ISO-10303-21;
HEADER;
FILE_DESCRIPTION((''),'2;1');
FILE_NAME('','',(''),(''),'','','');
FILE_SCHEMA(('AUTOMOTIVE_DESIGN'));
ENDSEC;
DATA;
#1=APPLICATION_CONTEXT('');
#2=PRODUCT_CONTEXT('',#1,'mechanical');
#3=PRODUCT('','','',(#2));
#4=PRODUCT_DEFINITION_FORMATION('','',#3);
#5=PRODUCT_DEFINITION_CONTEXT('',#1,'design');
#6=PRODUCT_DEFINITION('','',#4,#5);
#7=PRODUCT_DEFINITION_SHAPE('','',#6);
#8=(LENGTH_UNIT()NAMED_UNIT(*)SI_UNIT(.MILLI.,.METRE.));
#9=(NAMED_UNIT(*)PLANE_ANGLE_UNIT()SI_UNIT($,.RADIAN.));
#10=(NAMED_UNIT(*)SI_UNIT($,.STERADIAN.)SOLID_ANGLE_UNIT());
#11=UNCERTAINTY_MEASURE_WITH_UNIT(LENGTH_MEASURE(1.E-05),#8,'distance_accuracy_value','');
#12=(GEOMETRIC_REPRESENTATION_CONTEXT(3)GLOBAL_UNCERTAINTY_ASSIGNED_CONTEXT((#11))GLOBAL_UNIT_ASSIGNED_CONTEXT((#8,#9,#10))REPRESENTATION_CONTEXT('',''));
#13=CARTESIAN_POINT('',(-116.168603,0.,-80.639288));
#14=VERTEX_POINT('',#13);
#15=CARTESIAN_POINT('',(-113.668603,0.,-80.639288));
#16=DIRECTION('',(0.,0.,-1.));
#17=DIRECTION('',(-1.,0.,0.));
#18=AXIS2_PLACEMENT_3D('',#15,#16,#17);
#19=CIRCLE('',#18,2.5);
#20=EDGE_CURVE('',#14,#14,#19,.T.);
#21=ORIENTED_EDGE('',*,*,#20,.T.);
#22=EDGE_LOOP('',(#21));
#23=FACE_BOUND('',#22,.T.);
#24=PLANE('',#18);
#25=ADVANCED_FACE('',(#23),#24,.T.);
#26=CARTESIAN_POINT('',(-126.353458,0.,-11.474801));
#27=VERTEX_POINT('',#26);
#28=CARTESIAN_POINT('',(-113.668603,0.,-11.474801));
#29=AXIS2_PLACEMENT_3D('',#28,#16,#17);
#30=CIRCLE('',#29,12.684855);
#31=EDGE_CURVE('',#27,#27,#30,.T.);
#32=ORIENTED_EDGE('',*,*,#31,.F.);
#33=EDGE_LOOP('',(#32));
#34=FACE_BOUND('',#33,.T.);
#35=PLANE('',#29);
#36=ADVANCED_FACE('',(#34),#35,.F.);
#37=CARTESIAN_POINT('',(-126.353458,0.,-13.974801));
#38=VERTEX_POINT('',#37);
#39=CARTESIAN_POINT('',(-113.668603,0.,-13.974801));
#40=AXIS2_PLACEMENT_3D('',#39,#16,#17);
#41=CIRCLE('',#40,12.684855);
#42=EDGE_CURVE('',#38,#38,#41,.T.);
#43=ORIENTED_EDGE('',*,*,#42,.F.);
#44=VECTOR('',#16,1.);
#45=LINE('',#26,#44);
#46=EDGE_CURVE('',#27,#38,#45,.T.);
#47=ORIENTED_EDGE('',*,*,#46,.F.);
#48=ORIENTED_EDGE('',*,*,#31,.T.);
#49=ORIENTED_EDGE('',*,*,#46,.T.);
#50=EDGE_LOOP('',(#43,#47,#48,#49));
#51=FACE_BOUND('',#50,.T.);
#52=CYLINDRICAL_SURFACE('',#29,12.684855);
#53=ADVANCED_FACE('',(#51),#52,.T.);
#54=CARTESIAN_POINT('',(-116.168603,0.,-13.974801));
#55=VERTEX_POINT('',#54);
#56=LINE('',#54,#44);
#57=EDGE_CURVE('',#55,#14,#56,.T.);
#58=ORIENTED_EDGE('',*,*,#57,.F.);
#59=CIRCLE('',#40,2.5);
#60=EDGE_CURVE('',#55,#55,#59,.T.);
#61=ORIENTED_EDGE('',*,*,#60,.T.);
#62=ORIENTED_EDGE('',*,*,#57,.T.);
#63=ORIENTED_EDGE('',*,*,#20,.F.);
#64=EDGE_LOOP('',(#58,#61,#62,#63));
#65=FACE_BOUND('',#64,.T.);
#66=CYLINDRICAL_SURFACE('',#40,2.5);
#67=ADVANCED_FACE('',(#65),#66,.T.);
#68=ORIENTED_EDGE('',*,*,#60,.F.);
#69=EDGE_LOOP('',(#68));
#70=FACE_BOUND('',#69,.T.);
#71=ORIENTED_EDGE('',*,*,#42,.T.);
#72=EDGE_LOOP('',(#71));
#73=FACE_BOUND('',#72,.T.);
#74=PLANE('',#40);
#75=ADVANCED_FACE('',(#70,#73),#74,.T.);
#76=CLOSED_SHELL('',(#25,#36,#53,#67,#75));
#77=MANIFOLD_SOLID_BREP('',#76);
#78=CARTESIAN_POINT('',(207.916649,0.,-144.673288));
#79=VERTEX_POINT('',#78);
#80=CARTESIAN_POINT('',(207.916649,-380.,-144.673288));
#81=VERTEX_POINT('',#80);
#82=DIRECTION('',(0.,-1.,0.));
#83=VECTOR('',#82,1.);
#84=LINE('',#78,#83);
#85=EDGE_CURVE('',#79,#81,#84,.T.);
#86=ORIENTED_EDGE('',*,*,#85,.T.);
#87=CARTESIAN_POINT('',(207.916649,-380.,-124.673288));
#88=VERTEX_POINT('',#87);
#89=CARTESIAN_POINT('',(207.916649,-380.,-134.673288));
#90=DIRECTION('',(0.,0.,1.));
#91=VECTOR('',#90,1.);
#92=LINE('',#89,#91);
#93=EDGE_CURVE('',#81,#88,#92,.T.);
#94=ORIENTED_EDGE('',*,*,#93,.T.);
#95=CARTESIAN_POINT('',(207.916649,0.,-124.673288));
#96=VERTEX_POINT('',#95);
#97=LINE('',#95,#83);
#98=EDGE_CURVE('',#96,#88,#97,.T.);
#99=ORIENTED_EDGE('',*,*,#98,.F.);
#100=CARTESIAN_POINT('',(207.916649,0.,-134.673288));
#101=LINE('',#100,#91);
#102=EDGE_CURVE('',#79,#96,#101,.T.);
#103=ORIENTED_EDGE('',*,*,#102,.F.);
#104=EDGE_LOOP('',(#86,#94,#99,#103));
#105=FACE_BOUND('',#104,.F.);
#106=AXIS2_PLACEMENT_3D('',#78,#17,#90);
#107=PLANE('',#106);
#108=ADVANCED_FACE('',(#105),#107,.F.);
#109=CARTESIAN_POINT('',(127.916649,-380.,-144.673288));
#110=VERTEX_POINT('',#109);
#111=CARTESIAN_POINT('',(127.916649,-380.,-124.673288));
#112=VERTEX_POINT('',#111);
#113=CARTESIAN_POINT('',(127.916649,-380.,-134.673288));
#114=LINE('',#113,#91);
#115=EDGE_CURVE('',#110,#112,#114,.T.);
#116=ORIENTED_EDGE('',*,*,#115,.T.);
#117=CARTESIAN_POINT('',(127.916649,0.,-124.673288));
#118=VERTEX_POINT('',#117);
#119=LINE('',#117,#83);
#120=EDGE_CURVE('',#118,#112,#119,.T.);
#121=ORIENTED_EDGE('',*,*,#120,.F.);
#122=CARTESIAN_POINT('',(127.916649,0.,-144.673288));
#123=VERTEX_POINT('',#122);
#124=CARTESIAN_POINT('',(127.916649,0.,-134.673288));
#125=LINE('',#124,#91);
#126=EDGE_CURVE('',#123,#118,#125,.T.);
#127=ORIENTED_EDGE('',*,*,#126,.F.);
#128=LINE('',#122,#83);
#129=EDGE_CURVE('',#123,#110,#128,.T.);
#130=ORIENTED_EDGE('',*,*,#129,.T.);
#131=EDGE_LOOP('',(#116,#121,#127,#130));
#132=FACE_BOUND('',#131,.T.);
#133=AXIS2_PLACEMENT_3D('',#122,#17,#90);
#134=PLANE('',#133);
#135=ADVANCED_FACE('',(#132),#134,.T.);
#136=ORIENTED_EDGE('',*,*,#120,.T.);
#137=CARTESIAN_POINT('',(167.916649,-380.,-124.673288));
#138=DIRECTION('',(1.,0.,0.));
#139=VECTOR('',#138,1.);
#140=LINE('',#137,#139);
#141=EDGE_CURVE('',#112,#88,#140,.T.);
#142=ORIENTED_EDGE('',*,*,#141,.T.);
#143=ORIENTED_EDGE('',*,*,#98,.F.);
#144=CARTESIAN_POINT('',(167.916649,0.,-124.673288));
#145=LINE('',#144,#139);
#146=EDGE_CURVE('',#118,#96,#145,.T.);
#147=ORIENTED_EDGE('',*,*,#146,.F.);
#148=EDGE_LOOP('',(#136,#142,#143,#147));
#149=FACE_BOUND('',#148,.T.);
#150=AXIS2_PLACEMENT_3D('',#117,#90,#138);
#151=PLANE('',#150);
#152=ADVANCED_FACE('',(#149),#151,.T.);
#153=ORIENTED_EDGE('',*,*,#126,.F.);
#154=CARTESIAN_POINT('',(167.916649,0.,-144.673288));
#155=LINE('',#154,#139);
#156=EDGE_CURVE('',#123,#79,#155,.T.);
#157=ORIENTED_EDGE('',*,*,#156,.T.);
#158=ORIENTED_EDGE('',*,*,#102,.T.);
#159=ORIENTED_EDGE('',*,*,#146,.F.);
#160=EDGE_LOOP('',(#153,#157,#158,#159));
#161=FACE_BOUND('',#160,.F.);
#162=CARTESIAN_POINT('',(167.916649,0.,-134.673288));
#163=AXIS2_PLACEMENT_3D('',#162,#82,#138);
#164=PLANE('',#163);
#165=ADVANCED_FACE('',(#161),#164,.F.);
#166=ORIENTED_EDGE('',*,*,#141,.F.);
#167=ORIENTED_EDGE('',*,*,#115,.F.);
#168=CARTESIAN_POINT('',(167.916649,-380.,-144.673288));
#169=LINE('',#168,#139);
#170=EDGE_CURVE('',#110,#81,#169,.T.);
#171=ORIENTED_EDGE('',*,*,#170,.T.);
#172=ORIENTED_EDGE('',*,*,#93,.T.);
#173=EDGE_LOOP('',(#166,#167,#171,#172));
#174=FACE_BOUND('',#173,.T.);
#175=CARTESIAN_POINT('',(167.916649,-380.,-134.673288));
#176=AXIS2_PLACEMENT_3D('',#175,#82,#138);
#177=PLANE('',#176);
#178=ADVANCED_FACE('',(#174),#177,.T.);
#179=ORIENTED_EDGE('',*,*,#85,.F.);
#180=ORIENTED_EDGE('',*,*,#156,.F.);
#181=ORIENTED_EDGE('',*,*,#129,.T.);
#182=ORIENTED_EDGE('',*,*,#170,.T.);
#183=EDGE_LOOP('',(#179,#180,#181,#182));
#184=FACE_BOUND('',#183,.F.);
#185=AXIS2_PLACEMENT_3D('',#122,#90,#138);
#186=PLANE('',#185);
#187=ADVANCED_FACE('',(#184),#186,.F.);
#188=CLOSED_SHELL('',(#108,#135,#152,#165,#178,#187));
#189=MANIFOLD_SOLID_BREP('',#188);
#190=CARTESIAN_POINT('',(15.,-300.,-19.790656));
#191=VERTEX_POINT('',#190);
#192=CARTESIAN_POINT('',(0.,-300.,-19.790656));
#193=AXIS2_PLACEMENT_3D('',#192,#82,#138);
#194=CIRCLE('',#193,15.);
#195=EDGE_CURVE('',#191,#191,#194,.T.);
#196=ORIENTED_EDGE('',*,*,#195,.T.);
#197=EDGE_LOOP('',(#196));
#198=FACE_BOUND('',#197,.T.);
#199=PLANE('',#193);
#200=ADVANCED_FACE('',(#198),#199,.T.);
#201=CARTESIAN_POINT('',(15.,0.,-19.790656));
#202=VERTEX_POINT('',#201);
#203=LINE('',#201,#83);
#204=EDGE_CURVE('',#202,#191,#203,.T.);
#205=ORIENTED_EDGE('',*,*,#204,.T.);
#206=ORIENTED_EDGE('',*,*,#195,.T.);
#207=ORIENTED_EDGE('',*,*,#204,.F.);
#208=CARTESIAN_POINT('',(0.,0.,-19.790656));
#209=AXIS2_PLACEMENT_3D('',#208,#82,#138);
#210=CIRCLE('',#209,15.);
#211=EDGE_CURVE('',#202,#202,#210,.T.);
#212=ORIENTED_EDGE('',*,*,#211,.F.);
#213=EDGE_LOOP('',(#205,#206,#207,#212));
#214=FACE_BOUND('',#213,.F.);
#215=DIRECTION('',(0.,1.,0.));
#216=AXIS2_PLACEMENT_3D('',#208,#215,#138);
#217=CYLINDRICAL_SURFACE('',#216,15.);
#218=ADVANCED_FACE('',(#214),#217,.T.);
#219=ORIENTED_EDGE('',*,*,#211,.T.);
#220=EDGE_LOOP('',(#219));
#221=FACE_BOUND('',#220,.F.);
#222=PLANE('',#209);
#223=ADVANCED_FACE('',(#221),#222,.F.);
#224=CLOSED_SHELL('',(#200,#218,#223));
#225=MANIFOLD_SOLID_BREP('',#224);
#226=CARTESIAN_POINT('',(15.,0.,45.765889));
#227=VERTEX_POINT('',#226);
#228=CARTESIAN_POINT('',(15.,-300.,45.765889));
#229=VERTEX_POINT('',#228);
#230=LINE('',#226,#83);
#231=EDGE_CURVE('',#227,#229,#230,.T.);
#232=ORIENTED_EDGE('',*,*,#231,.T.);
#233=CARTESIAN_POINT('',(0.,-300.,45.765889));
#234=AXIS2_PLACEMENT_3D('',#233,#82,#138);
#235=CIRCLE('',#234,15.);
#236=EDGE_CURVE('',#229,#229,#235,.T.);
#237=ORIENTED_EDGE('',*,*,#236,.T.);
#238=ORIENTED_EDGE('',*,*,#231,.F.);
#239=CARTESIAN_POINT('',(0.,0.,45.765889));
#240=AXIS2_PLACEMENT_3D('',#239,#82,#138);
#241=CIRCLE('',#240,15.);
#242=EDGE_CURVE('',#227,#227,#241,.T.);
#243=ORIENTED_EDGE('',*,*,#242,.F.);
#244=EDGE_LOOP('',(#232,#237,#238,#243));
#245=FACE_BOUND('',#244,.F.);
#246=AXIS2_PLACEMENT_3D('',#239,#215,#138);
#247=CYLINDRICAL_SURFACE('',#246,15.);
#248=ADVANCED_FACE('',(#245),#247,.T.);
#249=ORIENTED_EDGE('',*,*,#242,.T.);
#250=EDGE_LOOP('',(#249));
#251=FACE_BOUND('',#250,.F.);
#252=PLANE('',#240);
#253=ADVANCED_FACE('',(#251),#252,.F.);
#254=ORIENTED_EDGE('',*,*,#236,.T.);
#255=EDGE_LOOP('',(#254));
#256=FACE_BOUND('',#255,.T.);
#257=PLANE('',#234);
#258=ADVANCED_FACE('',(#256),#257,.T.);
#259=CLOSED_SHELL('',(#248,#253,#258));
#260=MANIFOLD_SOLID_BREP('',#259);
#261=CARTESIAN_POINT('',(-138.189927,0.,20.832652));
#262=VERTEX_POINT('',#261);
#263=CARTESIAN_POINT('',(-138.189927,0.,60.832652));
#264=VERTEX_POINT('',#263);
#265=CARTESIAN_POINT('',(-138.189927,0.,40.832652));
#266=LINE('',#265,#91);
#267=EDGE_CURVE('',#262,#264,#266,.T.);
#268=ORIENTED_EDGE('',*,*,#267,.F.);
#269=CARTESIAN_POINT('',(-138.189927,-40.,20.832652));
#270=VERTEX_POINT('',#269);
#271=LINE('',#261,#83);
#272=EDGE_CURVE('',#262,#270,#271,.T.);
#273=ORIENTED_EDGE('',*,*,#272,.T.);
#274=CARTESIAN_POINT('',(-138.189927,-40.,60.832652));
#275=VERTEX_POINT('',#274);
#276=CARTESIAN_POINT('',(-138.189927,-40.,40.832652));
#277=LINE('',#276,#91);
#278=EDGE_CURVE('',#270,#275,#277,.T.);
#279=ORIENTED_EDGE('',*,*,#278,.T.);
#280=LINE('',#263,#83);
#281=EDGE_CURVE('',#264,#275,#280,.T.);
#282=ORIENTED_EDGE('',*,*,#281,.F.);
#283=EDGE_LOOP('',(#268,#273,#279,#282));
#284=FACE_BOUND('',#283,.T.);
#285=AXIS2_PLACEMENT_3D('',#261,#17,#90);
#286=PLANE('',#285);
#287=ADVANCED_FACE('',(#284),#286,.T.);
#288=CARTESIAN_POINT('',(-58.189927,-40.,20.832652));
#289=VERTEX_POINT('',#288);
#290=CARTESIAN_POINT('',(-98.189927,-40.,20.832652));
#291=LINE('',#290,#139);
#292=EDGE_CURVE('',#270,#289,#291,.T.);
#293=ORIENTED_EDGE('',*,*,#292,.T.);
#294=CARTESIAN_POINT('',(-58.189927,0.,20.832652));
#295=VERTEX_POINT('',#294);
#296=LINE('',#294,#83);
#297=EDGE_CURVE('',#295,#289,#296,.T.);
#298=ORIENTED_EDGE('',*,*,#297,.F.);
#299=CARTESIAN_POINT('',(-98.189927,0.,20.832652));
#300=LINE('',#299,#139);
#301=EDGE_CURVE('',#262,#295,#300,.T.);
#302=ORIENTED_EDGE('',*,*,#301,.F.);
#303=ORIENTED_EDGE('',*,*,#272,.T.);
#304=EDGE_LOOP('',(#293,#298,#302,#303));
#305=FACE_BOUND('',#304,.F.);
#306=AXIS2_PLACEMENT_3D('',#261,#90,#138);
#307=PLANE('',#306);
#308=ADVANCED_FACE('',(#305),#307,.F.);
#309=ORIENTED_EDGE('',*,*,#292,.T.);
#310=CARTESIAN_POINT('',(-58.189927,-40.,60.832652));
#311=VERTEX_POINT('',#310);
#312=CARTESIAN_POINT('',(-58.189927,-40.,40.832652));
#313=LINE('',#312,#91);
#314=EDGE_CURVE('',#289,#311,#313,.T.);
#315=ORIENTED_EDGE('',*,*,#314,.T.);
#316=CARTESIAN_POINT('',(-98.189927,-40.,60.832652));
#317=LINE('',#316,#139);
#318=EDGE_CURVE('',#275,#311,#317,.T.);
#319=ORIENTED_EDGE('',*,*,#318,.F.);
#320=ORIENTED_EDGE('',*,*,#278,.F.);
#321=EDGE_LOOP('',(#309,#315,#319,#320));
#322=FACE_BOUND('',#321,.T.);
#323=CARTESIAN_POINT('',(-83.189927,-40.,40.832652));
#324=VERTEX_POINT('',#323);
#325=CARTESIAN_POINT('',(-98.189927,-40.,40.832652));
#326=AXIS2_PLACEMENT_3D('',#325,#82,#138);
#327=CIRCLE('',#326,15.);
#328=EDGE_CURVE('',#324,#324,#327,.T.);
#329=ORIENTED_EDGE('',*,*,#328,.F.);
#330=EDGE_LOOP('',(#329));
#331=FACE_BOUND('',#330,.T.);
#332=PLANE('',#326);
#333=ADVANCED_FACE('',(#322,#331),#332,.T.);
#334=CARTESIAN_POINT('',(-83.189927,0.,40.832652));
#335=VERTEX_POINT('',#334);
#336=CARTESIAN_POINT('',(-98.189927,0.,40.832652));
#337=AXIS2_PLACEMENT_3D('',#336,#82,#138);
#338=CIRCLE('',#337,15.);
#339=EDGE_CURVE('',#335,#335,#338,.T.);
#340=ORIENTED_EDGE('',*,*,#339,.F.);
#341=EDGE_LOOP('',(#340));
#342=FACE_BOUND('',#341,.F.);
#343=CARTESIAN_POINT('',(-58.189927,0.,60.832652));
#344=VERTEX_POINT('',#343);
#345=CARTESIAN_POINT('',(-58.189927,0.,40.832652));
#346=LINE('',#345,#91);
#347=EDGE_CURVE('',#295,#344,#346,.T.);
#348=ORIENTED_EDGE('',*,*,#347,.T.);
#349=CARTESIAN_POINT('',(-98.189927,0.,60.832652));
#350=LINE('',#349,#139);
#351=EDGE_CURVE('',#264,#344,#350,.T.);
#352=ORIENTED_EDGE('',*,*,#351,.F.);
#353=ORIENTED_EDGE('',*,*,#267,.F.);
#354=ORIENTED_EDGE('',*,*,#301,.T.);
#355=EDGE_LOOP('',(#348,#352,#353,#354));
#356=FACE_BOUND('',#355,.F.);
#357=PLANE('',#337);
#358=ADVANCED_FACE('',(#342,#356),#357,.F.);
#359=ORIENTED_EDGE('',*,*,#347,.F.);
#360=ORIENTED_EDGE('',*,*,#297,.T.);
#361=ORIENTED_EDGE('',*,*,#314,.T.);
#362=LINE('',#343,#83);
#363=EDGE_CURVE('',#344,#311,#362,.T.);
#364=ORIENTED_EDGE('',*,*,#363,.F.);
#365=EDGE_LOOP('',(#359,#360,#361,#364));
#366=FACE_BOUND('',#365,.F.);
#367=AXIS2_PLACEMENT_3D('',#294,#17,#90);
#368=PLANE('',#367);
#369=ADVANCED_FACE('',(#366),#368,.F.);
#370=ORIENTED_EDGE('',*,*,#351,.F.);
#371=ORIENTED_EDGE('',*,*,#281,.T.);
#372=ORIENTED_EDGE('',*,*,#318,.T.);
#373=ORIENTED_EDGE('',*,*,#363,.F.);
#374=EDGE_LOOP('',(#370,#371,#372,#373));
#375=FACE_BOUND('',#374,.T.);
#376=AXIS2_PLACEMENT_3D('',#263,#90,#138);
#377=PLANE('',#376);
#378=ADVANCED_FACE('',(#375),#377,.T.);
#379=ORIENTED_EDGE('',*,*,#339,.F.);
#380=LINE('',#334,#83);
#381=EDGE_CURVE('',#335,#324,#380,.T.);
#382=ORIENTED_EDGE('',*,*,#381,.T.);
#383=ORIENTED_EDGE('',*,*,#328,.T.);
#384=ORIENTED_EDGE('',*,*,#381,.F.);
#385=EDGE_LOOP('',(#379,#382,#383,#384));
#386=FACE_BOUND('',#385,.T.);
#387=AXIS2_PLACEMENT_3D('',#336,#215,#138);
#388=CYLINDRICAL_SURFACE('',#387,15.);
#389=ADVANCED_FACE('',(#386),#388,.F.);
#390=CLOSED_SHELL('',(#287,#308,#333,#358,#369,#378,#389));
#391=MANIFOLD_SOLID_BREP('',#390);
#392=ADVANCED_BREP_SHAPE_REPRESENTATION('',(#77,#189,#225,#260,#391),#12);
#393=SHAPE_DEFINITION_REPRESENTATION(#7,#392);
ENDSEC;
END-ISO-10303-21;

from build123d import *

# Parameters (mm, degrees)
F0_W     = 80
F0_H     = 40
F0_R     = 15
F1_DEPTH = 40
F2_DEPTH = 300
F0_H_2   = 20
F4_DEPTH = 380


with BuildPart() as f1:
    # F0 (on Front) → F1 (new body)
    with BuildSketch(Plane.XZ):
        with Locations((-98.189927, 40.832652)):
            Rectangle(F0_W, F0_H)
        with Locations((-98.189927, 40.832652)):
            Circle(F0_R, mode=Mode.SUBTRACT)
    extrude(amount=F1_DEPTH)


with BuildPart() as f2:
    # F0 (on Front) → F2 (new body)
    with BuildSketch(Plane.XZ):
        with Locations((0, 45.765889)):
            Circle(F0_R)
        with Locations((0, -19.790656)):
            Circle(F0_R)
    extrude(amount=F2_DEPTH)


with BuildPart() as f3:
    # F0 (on Front) → F3 (revolve)
    with BuildSketch(Plane.XZ):
        Polygon((-113.668603, -80.639288), (-113.668603, -11.474801), (-126.353458, -11.474801), (-126.353458, -13.974801), (-116.168603, -13.974801), (-116.168603, -80.639288), align=None)
    revolve(axis=Axis((-113.668603, 0, -46.057044), (0, 0, -1)))


with BuildPart() as f4:
    # F0 (on Front) → F4 (new body)
    with BuildSketch(Plane.XZ):
        with Locations((167.916649, -134.673288)):
            Rectangle(F0_W, F0_H_2)
    extrude(amount=F4_DEPTH)


solid = Compound([f1.part, f2.part, f3.part, f4.part])
